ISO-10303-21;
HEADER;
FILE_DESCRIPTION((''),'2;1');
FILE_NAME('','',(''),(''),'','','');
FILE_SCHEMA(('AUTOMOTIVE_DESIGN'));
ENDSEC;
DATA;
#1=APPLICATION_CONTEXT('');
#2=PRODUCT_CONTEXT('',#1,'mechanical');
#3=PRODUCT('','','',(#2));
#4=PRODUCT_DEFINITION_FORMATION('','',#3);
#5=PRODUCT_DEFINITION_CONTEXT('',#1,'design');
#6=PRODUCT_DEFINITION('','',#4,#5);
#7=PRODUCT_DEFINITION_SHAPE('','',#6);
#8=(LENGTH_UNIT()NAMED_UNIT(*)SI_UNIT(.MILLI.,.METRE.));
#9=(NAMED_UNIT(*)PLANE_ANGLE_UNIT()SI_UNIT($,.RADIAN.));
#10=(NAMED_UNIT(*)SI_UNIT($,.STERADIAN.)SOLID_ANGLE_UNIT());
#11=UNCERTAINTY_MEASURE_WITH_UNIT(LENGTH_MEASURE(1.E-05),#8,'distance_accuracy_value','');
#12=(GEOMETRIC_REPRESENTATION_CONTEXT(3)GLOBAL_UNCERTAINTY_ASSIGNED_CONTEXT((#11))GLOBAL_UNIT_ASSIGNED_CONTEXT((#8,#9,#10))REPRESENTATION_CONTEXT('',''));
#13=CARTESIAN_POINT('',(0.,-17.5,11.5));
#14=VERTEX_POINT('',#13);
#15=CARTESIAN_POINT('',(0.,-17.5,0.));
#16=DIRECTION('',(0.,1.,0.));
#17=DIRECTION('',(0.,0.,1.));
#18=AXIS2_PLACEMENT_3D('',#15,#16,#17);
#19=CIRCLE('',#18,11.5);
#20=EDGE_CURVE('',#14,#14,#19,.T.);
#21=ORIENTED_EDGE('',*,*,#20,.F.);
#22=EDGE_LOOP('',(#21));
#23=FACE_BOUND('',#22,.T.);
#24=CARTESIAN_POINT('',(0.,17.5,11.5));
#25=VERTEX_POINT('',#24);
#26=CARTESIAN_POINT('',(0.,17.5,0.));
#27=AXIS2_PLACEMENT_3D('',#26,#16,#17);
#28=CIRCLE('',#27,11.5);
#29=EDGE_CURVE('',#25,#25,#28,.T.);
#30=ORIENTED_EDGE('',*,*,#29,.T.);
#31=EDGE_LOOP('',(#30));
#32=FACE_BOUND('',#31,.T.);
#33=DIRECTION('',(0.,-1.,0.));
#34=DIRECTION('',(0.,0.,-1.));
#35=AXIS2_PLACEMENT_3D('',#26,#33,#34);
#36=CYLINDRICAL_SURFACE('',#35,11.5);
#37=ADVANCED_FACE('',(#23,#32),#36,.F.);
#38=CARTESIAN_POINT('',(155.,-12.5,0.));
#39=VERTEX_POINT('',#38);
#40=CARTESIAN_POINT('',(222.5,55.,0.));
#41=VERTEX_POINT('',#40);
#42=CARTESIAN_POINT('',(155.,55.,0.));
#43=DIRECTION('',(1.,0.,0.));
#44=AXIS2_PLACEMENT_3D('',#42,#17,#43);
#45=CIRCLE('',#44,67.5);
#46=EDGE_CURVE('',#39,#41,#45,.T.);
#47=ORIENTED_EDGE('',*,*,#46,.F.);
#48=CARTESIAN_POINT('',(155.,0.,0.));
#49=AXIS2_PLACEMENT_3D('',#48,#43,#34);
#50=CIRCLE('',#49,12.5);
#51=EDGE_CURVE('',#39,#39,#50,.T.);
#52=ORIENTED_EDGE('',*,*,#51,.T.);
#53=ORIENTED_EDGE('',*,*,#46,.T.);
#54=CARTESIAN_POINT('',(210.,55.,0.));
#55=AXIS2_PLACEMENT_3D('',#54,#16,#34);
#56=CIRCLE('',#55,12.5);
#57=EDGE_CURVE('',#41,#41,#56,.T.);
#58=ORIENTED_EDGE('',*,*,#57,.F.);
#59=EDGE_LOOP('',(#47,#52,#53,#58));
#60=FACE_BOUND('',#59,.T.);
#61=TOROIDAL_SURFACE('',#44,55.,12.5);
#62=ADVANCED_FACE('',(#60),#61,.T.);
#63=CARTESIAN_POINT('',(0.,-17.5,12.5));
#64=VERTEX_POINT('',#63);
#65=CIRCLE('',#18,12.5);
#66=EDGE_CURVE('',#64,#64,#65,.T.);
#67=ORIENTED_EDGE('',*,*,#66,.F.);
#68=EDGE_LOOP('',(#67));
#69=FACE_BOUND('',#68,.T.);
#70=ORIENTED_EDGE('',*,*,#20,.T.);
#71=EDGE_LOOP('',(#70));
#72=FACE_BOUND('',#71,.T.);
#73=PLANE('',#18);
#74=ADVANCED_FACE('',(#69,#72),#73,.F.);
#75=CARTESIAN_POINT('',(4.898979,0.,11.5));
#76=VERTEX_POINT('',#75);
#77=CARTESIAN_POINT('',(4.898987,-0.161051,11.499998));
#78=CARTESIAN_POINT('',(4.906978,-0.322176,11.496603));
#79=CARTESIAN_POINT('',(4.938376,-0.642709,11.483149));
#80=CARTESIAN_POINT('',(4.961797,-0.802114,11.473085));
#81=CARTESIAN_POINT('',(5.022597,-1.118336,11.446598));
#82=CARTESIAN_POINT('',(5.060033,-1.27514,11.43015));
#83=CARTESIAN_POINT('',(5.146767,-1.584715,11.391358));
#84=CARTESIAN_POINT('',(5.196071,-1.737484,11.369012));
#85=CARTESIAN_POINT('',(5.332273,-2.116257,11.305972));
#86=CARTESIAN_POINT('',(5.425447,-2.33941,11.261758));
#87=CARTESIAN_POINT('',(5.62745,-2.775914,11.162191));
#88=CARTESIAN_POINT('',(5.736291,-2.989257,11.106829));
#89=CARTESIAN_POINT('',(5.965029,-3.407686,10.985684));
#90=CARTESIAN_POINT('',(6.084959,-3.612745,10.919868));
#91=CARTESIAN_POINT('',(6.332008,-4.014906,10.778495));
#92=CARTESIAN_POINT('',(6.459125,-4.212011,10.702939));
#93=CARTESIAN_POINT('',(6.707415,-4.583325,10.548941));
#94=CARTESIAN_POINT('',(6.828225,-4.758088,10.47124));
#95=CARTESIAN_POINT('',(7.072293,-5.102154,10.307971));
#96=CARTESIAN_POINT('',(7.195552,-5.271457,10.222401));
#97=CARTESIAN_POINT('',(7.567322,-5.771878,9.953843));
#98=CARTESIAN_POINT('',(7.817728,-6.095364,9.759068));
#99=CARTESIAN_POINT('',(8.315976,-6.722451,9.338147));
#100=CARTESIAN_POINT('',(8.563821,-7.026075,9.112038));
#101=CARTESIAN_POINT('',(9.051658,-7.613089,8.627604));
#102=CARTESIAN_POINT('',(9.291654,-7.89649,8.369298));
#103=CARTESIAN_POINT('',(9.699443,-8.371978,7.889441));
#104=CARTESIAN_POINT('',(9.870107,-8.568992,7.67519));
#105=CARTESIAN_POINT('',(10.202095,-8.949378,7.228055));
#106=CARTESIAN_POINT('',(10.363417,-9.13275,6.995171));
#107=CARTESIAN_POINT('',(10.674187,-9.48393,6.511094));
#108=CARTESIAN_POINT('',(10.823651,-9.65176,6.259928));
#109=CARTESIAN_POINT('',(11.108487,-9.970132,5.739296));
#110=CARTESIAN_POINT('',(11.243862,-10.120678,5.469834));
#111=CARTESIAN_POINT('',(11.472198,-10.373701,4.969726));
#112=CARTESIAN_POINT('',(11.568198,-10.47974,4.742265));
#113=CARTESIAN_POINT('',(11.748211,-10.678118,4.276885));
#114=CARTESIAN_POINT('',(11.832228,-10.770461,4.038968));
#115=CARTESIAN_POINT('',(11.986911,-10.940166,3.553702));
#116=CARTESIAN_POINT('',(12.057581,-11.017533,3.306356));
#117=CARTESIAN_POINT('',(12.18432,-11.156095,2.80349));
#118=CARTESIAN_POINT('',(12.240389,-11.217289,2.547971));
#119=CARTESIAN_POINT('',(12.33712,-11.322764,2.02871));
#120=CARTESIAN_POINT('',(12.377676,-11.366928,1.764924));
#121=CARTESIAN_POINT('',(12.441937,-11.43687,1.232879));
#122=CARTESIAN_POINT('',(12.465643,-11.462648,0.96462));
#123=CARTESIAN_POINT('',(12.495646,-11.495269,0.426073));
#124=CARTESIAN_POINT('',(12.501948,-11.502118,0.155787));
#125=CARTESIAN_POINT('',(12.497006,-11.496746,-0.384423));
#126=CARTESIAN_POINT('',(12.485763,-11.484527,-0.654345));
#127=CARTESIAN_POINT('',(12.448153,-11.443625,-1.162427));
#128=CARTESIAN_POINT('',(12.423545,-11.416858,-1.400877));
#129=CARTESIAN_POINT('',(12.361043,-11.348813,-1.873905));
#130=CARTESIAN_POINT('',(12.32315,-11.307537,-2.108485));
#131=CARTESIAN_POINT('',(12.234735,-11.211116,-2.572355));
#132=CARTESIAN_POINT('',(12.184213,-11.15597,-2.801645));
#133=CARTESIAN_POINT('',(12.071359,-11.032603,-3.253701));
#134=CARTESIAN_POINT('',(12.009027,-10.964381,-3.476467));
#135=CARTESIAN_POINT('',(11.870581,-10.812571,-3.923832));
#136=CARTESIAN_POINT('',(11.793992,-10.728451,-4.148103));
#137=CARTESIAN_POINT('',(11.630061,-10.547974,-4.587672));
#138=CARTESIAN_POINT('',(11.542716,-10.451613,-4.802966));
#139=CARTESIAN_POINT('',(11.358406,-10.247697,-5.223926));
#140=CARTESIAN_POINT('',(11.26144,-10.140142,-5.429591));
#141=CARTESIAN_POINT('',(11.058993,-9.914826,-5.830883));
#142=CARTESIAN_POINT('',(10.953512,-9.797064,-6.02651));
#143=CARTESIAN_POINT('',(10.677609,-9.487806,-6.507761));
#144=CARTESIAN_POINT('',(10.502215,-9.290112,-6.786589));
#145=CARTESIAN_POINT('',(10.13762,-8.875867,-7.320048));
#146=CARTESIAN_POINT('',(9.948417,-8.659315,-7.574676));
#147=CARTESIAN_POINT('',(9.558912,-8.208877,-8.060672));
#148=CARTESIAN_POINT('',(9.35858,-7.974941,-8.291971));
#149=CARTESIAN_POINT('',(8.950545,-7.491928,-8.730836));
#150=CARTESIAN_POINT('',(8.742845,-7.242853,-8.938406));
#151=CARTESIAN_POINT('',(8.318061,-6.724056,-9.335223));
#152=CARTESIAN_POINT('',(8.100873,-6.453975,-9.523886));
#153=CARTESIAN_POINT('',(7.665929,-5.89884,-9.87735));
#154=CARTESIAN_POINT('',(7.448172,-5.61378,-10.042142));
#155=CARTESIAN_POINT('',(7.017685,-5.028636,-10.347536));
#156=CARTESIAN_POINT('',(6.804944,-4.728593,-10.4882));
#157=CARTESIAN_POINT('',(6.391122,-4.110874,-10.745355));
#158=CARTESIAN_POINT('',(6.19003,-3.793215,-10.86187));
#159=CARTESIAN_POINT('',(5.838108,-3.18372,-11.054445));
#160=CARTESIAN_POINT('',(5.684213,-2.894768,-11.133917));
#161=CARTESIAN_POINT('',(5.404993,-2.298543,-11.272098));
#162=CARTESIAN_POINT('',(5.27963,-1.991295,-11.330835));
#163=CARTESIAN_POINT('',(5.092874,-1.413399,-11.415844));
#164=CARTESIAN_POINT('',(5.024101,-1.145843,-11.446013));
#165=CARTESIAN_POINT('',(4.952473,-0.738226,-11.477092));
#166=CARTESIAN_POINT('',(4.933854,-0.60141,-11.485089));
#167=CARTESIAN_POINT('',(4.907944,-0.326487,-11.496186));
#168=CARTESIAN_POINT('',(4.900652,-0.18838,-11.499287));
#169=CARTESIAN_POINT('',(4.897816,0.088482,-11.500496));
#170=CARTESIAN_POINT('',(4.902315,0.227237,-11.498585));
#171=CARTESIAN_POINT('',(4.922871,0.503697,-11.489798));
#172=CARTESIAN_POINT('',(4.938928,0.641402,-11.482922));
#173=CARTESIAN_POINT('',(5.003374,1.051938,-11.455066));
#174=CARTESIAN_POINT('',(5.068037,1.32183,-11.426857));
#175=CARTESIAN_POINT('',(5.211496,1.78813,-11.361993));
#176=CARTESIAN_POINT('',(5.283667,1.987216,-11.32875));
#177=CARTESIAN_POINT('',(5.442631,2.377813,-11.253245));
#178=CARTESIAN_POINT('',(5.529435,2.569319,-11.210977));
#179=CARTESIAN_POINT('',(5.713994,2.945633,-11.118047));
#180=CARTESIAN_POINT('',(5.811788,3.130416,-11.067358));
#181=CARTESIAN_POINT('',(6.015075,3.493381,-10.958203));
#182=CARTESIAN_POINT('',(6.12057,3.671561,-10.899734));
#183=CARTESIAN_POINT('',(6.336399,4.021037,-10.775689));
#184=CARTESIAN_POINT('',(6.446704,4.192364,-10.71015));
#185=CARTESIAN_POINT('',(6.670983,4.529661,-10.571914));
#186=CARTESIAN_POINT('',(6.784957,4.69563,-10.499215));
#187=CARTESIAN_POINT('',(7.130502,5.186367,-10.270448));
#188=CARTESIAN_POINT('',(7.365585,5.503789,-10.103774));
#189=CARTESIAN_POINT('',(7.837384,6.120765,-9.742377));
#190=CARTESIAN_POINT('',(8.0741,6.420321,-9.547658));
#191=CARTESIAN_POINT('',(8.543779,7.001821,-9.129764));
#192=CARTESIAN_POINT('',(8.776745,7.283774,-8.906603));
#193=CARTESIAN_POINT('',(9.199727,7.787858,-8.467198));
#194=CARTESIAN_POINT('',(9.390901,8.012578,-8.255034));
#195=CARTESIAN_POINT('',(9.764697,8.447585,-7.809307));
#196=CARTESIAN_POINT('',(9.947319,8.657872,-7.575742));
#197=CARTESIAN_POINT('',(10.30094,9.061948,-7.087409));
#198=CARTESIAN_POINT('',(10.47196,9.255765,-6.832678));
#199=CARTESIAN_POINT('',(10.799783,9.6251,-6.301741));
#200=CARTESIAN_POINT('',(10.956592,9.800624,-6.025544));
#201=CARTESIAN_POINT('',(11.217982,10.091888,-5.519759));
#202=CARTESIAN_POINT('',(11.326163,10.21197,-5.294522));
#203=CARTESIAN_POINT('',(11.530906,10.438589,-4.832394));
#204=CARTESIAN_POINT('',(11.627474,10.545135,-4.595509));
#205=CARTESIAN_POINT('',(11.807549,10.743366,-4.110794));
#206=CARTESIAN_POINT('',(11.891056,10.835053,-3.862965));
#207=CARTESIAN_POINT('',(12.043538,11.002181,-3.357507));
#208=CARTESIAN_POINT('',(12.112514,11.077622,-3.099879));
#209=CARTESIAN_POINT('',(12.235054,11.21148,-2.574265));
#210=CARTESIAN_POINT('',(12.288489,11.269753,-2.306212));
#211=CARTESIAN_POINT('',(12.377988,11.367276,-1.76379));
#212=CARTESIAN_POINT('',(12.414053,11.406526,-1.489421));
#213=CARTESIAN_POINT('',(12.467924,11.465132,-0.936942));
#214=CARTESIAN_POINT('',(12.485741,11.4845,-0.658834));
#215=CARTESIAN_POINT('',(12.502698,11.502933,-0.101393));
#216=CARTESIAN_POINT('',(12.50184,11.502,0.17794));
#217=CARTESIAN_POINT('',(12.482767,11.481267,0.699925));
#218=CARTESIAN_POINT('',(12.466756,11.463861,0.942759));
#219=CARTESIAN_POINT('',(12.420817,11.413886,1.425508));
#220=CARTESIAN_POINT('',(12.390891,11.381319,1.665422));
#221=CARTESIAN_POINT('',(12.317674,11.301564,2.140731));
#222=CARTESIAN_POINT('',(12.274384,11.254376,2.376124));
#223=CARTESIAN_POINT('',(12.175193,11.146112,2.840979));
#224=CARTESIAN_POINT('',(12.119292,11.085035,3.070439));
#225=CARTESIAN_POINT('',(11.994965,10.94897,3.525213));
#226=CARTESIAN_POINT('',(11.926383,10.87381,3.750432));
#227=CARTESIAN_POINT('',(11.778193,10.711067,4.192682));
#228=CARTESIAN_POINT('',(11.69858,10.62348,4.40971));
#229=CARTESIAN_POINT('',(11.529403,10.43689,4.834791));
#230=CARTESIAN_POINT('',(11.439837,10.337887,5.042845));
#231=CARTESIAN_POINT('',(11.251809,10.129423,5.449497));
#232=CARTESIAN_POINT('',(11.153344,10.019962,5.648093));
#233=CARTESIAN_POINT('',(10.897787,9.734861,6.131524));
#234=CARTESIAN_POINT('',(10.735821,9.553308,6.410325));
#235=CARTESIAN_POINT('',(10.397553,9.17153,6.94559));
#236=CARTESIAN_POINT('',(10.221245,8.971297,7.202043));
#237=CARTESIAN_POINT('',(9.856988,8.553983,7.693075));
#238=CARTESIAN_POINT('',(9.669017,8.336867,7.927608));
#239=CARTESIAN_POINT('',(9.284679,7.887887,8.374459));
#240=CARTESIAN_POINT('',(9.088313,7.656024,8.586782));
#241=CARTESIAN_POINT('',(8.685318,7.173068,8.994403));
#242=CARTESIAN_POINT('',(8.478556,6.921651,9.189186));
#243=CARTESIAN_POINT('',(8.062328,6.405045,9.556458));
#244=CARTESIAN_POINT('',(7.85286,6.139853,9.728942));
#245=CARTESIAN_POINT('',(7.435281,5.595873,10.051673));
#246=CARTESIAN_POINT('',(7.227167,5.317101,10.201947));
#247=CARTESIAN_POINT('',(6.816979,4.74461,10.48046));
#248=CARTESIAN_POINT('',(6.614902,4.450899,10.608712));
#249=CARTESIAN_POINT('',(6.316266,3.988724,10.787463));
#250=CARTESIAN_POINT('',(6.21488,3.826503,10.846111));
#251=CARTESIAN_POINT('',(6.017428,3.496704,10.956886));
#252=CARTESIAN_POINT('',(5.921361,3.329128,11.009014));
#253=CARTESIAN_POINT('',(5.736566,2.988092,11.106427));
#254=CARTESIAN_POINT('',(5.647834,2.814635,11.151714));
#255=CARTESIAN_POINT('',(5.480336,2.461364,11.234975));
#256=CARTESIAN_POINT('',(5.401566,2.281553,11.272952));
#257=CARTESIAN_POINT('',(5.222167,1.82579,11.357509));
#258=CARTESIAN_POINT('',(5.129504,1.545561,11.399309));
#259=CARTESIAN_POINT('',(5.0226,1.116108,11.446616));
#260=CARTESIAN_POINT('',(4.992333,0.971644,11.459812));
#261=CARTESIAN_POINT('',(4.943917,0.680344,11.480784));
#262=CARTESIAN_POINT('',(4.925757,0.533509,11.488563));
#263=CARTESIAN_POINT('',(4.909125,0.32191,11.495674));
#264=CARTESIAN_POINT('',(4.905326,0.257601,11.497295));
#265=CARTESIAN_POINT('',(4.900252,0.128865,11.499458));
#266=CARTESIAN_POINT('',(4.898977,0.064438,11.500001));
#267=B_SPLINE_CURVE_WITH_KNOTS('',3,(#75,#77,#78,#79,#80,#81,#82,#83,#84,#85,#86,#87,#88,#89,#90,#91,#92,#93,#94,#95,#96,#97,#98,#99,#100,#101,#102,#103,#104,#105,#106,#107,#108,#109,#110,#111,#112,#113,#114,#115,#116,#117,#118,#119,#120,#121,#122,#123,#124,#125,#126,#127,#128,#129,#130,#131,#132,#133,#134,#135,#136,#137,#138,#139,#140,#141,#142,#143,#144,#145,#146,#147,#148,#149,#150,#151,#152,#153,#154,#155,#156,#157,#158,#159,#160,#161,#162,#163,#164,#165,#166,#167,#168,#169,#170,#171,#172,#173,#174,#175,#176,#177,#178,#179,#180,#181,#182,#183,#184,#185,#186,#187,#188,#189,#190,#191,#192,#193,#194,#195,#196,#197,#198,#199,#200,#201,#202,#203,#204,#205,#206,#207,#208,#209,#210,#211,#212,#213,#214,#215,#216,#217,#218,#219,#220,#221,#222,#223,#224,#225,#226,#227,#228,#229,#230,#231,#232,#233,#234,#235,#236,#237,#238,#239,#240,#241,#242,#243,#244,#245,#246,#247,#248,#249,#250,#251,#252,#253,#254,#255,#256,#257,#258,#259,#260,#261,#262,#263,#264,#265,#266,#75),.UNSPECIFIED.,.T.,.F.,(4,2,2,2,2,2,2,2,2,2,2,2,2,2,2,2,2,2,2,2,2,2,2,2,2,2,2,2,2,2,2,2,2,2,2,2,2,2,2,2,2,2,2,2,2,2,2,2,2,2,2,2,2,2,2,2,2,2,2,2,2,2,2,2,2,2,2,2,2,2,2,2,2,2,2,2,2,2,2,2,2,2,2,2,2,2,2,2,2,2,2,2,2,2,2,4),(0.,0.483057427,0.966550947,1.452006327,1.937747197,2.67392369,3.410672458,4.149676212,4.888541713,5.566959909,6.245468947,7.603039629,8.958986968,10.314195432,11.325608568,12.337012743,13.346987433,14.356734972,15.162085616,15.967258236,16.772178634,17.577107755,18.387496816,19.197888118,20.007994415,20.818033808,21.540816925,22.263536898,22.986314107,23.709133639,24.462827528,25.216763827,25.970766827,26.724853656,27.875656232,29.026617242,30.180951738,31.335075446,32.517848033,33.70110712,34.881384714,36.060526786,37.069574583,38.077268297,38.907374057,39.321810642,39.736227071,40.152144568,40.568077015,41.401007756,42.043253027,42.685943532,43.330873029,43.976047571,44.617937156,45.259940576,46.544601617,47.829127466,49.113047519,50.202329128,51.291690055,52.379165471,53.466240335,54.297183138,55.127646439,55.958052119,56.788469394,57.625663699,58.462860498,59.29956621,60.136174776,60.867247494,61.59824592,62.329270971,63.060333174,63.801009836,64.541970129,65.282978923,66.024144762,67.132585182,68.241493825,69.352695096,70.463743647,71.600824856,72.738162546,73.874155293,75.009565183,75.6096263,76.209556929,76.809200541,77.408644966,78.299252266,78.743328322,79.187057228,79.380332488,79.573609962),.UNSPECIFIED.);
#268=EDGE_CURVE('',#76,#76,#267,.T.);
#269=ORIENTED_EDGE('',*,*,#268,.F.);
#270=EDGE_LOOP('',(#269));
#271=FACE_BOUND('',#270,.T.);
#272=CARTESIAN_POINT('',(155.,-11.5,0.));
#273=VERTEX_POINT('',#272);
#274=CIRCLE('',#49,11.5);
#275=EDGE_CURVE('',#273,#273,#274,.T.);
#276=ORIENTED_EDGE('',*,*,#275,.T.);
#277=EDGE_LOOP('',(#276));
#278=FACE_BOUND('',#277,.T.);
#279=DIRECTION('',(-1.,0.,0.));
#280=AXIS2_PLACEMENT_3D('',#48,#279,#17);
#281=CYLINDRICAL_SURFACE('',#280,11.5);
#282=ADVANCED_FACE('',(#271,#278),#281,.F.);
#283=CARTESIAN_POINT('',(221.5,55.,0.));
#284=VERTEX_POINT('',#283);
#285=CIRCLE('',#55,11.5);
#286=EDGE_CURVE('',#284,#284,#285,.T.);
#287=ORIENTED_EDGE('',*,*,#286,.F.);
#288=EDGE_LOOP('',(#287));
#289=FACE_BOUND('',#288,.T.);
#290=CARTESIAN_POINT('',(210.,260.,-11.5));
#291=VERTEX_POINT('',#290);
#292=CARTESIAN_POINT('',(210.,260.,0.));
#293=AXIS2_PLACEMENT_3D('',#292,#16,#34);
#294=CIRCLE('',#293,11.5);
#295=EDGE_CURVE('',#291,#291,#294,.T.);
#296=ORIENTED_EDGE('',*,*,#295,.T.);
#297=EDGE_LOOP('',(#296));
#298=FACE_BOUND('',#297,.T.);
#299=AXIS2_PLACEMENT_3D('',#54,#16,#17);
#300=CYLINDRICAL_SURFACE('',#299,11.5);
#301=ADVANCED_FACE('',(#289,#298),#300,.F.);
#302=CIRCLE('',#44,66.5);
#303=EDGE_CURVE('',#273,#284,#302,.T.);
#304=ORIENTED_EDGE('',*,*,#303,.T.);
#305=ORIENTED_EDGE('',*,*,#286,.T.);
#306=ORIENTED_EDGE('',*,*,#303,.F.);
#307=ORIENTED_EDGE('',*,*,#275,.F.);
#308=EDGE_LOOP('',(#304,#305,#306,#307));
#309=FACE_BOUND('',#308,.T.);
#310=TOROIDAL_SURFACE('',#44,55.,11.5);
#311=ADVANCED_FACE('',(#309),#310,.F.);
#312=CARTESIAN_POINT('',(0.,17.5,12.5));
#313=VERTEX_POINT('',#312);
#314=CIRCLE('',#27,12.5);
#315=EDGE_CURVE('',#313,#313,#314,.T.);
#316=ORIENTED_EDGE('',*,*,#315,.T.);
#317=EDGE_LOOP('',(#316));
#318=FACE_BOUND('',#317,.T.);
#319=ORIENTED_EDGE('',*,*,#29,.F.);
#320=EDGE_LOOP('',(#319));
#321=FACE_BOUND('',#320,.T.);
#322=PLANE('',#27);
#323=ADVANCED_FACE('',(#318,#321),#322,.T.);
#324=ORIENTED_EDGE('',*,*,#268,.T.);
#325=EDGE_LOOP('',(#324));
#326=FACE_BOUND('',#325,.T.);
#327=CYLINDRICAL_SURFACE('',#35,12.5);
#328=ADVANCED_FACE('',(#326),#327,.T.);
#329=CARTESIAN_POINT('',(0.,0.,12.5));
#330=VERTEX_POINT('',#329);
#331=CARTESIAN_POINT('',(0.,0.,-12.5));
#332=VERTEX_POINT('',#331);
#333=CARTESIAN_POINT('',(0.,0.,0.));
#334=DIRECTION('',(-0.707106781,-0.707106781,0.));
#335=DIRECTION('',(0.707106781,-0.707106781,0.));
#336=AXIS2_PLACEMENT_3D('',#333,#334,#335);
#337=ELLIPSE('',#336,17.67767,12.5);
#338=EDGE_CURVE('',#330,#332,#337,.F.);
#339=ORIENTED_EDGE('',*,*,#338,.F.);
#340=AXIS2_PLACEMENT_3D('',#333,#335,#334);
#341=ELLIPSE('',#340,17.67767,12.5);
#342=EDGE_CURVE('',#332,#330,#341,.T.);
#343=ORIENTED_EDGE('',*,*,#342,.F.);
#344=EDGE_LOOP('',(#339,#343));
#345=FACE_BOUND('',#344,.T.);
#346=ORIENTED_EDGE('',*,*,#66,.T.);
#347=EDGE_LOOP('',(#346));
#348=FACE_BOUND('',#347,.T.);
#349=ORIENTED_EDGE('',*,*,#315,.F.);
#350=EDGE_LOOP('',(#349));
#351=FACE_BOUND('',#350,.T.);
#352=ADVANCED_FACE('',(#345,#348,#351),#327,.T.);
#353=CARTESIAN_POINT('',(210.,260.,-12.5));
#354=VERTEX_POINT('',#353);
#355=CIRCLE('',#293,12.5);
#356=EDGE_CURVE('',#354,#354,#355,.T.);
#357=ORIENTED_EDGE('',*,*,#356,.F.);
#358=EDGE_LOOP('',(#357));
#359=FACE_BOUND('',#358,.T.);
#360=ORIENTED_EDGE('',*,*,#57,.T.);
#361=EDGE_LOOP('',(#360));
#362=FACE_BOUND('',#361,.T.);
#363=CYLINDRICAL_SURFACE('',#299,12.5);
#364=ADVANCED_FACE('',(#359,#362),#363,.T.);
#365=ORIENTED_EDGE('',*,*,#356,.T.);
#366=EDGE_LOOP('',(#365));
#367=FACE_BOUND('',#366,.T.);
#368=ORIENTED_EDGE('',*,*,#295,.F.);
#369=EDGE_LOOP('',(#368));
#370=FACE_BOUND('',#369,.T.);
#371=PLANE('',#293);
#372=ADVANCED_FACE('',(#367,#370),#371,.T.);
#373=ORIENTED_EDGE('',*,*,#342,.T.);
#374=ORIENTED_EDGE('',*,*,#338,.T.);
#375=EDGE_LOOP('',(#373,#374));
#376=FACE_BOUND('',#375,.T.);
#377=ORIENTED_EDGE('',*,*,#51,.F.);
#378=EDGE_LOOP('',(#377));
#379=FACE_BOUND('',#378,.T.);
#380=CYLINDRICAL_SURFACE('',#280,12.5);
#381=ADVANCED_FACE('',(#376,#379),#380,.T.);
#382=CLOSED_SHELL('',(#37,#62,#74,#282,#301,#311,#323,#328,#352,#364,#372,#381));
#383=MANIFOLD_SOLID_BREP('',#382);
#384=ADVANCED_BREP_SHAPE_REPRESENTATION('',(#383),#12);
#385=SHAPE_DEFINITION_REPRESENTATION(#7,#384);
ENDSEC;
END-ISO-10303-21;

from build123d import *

# Parameters (mm, degrees)
SKETCH_1_R          = 12.5
SKETCH_1_R_2        = 11.5
EXTRUDE_1_DEPTH     = 17.5
SKETCH_2_R          = 12.5
SKETCH_2_R_2        = 11.5
SKETCH_1_3_R        = 11.5
CUT_EXTRUDE_2_DEPTH = 400


with BuildPart() as part:
    # 草圖1 → 填料-伸長1 (new, symmetric)
    with BuildSketch(Plane(origin=(0, 0, 0), x_dir=(1, 0, 0), z_dir=(0, 1, 0))):
        Circle(SKETCH_1_R)
        Circle(SKETCH_1_R_2, mode=Mode.SUBTRACT)
    extrude(amount=EXTRUDE_1_DEPTH, both=True)

    # 掃出1: sweep along a path in 草圖6
    with BuildLine(Plane.XY) as sweep_1_path:
        Line((0, 0), (155, 0))
        ThreePointArc((155, 0), (193.890872965, 16.109127035), (210, 55))
        Line((210, 55), (210, 260))
    # 草圖2 → 掃出1 (sweep)
    with BuildSketch(Plane(origin=(0, 0, 0), x_dir=(0, 0, -1), z_dir=(1, 0, 0))):
        Circle(SKETCH_2_R)
        Circle(SKETCH_2_R_2, mode=Mode.SUBTRACT)
    sweep(path=sweep_1_path.line)

    # 草圖1<3> → 除料-伸長2 (cut, symmetric)
    with BuildSketch(Plane(origin=(0, 0, 0), x_dir=(1, 0, 0), z_dir=(0, 1, 0))):
        Circle(SKETCH_1_3_R)
    extrude(amount=CUT_EXTRUDE_2_DEPTH, both=True, mode=Mode.SUBTRACT)


solid = part.part
